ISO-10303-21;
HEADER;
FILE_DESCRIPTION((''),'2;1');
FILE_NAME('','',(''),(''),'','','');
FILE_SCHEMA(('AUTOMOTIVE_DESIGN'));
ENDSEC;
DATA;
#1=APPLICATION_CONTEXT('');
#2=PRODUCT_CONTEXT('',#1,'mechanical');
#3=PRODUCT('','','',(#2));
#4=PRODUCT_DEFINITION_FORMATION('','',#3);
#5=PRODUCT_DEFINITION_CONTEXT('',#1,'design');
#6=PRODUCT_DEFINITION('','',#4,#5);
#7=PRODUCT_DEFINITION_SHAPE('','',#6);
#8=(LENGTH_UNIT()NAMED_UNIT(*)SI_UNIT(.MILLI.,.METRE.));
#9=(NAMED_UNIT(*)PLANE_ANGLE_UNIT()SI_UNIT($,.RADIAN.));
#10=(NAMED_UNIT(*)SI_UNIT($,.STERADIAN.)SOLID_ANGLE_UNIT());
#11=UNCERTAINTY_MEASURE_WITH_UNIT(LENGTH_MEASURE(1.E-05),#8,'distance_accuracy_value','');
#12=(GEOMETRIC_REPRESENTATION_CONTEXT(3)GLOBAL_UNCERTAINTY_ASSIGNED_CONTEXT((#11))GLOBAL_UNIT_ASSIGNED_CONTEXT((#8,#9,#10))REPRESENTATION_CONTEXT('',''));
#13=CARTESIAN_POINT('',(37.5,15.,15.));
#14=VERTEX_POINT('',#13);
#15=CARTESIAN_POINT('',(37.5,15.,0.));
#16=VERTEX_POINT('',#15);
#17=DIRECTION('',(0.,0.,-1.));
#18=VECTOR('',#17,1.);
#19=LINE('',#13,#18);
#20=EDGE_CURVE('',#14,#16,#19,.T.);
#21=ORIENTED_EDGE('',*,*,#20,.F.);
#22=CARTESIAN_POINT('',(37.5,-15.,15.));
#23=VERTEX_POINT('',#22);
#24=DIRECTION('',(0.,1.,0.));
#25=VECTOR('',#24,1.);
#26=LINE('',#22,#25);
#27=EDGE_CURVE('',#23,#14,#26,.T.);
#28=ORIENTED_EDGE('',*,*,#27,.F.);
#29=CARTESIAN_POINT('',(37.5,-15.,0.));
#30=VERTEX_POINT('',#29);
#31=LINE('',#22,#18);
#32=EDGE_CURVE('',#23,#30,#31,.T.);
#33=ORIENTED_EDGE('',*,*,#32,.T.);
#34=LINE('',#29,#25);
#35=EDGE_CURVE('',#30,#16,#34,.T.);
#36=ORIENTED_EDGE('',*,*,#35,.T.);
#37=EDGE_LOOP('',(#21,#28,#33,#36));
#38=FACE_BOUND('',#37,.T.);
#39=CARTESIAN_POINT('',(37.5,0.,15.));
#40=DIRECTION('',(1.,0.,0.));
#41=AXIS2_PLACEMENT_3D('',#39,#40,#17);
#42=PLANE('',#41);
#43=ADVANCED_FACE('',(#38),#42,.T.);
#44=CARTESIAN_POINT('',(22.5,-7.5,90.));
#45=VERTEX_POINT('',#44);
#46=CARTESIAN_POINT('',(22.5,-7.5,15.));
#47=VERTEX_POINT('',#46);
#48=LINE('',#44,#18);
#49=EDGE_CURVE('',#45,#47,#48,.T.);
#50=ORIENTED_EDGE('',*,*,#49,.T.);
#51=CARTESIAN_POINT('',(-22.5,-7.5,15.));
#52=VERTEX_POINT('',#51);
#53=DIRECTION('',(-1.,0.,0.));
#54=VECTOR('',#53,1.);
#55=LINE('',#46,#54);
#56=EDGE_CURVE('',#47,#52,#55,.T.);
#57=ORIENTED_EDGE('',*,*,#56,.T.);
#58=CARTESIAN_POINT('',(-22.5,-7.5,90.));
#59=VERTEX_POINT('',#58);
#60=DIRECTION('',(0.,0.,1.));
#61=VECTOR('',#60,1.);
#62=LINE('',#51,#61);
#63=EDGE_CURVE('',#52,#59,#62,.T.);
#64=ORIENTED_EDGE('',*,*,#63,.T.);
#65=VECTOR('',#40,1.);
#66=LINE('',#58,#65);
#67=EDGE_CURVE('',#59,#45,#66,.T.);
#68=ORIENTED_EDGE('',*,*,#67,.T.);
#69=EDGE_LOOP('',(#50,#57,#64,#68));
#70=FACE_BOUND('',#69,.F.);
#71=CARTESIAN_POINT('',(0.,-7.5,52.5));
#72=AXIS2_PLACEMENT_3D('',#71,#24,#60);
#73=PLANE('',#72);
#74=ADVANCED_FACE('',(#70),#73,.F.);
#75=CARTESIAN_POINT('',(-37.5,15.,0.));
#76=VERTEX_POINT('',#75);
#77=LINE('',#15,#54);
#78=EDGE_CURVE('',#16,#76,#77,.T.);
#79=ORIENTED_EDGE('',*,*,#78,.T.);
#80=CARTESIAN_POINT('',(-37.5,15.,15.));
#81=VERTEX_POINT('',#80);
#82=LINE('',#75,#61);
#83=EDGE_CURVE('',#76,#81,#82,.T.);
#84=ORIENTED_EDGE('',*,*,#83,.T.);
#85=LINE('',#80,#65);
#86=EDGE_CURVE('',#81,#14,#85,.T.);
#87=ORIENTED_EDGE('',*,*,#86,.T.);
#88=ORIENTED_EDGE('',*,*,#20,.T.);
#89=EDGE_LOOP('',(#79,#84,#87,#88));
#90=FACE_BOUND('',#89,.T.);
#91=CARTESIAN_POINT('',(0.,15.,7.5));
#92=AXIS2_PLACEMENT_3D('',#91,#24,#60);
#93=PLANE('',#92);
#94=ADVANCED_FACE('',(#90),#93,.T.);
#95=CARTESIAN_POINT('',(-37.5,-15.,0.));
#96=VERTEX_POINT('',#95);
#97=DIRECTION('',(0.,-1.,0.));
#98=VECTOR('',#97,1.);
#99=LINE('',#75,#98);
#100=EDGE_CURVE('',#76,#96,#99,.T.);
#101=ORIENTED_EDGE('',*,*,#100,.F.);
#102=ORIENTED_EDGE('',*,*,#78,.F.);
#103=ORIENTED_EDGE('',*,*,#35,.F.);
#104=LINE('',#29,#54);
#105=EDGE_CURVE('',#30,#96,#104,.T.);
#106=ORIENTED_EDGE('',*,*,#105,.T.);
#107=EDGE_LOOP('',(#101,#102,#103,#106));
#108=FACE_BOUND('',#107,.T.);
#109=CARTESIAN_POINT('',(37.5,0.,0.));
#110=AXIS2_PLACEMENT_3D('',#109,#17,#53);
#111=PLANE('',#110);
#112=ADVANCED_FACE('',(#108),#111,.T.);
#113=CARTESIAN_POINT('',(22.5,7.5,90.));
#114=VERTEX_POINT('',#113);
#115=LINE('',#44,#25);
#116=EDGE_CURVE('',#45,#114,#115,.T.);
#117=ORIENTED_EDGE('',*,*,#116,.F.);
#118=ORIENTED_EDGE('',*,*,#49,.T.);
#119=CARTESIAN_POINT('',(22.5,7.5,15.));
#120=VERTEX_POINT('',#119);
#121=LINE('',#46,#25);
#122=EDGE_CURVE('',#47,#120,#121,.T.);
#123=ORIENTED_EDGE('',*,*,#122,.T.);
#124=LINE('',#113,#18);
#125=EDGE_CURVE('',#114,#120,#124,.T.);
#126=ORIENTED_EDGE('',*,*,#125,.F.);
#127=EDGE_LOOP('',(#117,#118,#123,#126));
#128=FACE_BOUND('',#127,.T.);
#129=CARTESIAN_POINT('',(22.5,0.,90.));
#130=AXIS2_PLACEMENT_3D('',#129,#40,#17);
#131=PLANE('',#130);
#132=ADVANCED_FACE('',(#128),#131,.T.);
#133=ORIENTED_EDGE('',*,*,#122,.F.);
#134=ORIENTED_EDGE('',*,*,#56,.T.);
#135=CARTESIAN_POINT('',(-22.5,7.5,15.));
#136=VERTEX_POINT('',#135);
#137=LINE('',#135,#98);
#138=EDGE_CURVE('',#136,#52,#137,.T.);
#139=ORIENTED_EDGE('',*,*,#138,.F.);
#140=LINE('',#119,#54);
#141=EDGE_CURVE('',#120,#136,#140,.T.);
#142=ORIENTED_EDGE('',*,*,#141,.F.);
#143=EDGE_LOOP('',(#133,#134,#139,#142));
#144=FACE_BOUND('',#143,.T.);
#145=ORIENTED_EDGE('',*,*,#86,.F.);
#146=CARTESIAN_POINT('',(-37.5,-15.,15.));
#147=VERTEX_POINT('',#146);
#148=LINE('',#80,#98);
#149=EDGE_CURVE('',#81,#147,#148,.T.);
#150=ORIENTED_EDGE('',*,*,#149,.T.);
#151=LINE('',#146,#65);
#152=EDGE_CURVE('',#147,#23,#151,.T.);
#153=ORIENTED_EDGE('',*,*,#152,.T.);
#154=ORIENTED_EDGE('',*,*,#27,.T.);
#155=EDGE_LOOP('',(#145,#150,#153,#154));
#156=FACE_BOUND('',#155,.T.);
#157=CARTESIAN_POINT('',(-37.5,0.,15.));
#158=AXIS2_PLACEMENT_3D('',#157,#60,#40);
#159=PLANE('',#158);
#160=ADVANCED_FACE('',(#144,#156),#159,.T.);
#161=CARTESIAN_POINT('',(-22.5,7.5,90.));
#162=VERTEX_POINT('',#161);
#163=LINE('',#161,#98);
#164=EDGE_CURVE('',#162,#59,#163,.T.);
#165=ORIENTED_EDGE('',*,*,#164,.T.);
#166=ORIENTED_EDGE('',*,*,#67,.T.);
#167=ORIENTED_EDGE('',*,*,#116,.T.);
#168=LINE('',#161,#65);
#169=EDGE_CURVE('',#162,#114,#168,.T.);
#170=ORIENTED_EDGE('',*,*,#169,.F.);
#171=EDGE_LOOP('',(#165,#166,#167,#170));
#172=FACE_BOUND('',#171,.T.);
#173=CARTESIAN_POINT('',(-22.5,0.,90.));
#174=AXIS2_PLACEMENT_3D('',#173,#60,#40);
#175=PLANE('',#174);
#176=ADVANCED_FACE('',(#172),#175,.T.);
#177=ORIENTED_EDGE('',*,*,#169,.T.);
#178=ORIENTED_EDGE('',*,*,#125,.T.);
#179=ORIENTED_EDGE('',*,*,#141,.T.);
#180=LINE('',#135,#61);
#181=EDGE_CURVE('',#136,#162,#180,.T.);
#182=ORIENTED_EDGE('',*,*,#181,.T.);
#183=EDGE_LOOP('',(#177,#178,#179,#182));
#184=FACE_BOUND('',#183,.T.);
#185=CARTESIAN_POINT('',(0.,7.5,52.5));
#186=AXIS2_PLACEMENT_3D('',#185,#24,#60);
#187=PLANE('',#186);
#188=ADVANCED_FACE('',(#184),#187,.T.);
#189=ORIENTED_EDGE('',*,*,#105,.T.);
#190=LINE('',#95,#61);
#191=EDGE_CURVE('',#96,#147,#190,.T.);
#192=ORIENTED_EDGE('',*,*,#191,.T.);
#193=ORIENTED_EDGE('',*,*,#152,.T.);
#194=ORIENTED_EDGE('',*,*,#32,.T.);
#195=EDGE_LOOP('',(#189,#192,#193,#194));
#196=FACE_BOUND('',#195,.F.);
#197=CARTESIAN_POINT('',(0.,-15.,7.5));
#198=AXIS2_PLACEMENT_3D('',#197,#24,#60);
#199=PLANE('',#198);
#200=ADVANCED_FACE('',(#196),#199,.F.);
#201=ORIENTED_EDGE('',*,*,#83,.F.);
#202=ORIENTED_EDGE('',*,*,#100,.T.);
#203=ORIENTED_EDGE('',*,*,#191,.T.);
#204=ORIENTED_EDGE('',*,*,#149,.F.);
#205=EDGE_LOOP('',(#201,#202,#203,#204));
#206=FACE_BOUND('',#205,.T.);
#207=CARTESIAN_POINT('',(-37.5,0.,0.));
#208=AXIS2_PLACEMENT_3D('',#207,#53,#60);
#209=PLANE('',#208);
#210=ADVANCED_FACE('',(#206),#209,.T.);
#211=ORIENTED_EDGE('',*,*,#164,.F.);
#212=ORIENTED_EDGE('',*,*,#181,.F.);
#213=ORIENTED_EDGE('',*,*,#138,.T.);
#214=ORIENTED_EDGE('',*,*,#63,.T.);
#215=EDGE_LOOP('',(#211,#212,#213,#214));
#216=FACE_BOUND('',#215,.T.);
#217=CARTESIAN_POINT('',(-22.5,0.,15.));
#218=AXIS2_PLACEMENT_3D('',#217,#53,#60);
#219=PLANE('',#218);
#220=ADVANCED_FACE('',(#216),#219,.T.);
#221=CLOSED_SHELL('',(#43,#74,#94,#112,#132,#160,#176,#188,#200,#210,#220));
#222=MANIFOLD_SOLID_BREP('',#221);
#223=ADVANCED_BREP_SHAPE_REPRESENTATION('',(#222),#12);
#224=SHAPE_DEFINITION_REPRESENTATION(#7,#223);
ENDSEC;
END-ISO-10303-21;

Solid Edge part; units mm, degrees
sketch "Sketch1" plane through (0, 0, 0) normal (0, -1, 0) x (1, 0, 0)
  line L0 (-37.5, 15) -> (37.5, 15)
  line L1 (37.5, 15) -> (37.5, 0)
  line L2 (37.5, 0) -> (-37.5, 0)
  line L3 (-37.5, 0) -> (-37.5, 15)
  dimension "D1" = 15
  dimension "D2" = 75
extrude "Protrusion1" add sketch "Sketch1" along normal mid plane 30
sketch "Sketch2" plane through (0, 0, 0) normal (0, -1, 0) x (1, 0, 0)
  line L0 (-22.5, 90) -> (22.5, 90)
  line L1 (22.5, 90) -> (22.5, 15)
  line L2 (22.5, 15) -> (-22.5, 15)
  line L3 (-22.5, 15) -> (-22.5, 90)
extrude "ExtrudedProtrusion_2" add sketch "Sketch2" along normal mid plane 15
